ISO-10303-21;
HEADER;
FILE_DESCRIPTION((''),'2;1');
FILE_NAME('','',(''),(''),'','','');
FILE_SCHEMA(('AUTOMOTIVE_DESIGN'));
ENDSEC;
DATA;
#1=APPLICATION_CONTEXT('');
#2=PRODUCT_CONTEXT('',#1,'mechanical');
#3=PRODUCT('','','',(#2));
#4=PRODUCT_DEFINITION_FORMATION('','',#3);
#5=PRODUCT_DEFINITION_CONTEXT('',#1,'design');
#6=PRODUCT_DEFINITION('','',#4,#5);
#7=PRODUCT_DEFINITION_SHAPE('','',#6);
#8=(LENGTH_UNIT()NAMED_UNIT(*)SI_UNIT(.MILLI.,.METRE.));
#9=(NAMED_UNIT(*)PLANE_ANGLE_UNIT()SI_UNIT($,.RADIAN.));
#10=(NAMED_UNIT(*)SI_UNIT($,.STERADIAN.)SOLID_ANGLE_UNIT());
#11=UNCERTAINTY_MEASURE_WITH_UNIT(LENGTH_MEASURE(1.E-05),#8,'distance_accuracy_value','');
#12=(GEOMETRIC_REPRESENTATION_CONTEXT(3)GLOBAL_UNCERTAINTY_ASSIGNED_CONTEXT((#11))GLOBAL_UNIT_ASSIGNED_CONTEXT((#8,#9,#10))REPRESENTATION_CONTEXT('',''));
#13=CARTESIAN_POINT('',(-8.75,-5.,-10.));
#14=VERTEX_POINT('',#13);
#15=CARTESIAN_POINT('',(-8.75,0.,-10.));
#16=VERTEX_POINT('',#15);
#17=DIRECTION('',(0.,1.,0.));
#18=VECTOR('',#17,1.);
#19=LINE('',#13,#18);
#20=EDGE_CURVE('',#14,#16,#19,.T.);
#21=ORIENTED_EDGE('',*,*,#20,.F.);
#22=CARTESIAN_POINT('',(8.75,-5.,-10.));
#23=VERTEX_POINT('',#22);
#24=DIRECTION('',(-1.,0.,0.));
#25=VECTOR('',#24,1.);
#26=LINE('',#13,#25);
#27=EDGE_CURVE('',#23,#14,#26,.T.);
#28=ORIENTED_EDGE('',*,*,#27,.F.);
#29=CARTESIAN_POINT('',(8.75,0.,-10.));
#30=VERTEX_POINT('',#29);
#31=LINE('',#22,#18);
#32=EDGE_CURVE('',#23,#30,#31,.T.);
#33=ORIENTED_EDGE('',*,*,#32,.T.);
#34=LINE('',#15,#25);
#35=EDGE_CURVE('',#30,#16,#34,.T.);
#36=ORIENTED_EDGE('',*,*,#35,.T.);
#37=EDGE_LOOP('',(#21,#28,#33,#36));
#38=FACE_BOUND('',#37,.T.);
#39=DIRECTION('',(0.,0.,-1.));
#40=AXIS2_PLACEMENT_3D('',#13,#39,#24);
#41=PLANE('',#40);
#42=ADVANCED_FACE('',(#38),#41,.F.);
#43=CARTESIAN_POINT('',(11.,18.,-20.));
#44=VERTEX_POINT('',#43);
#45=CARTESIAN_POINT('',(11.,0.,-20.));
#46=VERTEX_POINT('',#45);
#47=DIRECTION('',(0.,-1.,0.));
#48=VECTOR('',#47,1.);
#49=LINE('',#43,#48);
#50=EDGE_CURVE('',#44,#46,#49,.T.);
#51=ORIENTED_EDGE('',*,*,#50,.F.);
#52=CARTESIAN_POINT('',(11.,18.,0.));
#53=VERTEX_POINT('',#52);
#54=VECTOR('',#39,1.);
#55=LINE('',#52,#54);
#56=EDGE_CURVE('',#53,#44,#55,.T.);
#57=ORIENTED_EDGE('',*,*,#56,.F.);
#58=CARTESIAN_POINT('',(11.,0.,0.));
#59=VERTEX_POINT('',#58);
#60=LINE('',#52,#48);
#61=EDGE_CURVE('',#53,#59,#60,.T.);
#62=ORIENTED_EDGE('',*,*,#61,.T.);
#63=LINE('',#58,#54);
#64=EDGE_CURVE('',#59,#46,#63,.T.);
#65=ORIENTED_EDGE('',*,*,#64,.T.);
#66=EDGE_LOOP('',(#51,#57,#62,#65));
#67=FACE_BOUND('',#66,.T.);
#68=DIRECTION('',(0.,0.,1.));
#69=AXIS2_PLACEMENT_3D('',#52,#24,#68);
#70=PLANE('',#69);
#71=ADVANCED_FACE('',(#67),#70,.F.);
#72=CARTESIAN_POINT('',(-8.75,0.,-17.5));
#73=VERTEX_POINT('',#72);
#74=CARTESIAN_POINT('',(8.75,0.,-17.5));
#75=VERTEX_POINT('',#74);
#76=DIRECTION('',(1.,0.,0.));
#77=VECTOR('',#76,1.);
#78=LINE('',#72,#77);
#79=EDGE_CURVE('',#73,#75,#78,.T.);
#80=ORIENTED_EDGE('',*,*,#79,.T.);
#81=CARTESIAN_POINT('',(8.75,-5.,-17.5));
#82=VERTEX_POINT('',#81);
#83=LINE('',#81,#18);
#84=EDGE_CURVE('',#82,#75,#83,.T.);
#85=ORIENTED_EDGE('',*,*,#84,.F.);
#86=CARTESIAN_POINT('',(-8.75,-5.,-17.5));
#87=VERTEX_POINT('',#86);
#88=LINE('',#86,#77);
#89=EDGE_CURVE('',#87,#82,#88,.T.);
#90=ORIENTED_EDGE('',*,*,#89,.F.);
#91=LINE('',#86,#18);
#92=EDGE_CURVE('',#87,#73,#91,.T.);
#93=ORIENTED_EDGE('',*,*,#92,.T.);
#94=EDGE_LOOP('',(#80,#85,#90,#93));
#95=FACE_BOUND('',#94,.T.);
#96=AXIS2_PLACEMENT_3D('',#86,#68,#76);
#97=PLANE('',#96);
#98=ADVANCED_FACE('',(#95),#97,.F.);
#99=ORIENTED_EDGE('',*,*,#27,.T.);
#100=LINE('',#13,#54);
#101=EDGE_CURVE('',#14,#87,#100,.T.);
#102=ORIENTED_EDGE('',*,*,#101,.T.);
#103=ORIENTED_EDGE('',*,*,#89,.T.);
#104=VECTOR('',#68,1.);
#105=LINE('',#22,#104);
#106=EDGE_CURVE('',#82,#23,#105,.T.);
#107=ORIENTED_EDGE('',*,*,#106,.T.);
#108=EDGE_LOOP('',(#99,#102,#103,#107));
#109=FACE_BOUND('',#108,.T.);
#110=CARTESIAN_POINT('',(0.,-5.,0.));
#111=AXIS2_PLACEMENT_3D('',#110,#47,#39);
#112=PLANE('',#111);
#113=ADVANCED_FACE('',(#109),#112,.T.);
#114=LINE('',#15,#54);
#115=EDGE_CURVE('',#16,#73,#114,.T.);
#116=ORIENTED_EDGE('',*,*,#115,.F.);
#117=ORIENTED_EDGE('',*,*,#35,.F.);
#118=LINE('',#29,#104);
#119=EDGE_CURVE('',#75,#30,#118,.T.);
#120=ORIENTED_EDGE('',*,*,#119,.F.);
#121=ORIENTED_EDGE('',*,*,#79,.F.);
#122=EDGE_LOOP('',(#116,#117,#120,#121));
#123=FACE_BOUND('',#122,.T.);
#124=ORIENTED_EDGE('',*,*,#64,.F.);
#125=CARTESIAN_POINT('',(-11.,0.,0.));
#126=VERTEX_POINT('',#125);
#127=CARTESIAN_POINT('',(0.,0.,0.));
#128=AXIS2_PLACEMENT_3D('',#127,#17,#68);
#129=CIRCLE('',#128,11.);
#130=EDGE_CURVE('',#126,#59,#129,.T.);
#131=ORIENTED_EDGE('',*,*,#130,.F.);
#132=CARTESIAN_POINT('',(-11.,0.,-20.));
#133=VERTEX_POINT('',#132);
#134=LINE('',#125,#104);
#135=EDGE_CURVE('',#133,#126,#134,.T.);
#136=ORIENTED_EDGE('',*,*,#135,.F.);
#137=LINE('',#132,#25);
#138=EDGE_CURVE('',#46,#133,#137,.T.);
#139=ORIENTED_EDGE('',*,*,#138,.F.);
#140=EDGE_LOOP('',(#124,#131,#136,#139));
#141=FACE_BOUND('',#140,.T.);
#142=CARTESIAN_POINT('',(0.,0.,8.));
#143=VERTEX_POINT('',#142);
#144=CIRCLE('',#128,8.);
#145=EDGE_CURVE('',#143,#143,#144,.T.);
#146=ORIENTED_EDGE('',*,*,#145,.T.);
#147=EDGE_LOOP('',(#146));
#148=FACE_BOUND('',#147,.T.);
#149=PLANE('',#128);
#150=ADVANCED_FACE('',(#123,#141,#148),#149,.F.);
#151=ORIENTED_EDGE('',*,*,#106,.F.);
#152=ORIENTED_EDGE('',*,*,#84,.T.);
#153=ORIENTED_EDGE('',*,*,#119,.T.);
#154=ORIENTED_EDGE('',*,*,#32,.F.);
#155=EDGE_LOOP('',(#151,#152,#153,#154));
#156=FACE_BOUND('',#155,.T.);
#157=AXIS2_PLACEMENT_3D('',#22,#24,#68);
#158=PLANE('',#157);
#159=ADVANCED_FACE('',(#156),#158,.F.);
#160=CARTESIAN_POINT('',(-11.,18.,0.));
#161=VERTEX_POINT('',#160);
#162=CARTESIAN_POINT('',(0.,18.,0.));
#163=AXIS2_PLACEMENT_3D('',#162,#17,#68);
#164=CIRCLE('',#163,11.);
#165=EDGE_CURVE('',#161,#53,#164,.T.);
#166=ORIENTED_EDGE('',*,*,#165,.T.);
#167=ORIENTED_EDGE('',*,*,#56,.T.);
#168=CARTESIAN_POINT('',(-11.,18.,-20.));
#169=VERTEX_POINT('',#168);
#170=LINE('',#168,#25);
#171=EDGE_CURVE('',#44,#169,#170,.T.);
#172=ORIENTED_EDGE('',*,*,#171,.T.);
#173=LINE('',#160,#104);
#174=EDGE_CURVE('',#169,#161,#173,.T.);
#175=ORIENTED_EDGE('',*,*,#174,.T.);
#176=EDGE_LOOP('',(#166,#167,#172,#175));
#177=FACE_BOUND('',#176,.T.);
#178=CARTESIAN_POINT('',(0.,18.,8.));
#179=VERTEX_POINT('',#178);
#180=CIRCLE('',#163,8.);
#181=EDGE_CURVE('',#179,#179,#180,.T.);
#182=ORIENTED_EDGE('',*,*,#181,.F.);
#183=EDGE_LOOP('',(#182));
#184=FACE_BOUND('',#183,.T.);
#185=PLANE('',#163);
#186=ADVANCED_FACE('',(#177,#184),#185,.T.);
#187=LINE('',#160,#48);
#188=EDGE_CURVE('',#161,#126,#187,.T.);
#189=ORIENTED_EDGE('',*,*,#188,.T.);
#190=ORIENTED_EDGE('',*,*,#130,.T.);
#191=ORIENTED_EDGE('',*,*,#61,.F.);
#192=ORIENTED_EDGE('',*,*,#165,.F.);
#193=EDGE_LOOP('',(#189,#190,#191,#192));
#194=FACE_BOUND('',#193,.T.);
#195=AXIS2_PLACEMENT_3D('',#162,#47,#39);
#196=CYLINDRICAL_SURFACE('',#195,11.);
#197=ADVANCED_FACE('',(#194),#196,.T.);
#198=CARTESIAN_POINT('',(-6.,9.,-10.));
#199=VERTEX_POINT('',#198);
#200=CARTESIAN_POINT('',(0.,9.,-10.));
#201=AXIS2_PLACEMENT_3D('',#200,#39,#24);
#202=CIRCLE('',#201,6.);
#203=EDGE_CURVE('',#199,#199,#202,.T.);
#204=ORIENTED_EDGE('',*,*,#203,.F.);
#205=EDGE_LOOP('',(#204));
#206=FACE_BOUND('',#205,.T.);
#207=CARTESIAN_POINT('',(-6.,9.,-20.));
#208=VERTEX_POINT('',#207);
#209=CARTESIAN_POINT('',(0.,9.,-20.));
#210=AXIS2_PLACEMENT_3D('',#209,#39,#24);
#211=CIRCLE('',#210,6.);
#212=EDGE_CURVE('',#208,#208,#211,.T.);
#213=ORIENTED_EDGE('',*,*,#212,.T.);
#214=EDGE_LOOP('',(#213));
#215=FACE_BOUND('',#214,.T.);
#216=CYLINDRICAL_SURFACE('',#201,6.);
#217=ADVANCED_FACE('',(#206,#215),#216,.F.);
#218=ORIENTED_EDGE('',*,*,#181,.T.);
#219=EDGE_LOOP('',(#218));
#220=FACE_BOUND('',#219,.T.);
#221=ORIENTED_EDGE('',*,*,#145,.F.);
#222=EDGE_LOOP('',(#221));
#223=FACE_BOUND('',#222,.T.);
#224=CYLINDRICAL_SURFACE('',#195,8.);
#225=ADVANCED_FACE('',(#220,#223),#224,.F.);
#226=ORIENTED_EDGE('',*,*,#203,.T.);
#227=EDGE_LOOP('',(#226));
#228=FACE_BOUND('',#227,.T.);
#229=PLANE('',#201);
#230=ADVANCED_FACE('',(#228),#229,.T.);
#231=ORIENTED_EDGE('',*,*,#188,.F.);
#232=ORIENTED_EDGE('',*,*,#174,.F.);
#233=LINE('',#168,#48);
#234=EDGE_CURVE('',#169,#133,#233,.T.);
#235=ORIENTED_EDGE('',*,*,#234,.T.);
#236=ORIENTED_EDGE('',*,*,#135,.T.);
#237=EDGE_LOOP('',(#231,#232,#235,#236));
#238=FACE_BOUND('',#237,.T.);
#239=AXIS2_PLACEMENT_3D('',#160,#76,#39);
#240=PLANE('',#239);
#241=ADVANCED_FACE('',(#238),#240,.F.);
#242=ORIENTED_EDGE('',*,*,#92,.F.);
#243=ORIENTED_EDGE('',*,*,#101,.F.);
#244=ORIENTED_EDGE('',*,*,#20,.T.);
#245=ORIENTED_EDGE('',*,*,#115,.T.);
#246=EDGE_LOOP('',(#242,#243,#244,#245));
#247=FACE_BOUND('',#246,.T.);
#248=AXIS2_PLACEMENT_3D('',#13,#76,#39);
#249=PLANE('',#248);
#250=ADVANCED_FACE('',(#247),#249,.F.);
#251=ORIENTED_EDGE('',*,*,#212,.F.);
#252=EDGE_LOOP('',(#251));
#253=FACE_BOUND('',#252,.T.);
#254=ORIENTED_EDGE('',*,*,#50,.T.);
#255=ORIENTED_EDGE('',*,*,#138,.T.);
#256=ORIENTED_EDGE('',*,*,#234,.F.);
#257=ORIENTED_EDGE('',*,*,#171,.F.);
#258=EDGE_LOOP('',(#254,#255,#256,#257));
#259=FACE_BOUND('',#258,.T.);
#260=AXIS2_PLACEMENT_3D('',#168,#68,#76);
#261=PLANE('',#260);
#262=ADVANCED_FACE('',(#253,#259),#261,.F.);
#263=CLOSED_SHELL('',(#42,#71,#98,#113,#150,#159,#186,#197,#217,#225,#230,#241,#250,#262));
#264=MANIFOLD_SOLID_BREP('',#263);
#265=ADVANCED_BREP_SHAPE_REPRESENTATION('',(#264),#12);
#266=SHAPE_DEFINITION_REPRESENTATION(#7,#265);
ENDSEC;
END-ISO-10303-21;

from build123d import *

# Parameters (mm, degrees)
SKETCH1_R           = 8
BOSS_EXTRUDE1_DEPTH = 18
SKETCH2_R           = 6
CUT_EXTRUDE1_DEPTH  = 10
SKETCH4_W           = 17.5
SKETCH4_H           = 7.5
BOSS_EXTRUDE3_DEPTH = 5


with BuildPart() as part:
    # Sketch1 → Boss-Extrude1 (new body)
    with BuildSketch(Plane(origin=(0, 0, 0), x_dir=(1, 0, 0), z_dir=(0, 1, 0))):
        with BuildLine():
            Line((-11, 0), (-11, 20))
            Line((-11, 20), (11, 20))
            Line((11, 20), (11, 0))
            ThreePointArc((11, 0), (0, -11), (-11, 0))
        make_face()
        with Locations(Location((0, 0, 0), (0, 0, 270))):
            Circle(SKETCH1_R, mode=Mode.SUBTRACT)
    extrude(amount=BOSS_EXTRUDE1_DEPTH)

    # Sketch2 → Cut-Extrude1 (cut)
    with BuildSketch(Plane(origin=(0, 0, -20), x_dir=(-1, 0, 0), z_dir=(0, 0, -1))):
        with Locations((0, 9)):
            Circle(SKETCH2_R)
    extrude(amount=-CUT_EXTRUDE1_DEPTH, mode=Mode.SUBTRACT)

    # Sketch4 → Boss-Extrude3 (add)
    with BuildSketch(Plane.XZ):
        with Locations((0, -13.75)):
            Rectangle(SKETCH4_W, SKETCH4_H)
    extrude(amount=BOSS_EXTRUDE3_DEPTH)


solid = part.part
